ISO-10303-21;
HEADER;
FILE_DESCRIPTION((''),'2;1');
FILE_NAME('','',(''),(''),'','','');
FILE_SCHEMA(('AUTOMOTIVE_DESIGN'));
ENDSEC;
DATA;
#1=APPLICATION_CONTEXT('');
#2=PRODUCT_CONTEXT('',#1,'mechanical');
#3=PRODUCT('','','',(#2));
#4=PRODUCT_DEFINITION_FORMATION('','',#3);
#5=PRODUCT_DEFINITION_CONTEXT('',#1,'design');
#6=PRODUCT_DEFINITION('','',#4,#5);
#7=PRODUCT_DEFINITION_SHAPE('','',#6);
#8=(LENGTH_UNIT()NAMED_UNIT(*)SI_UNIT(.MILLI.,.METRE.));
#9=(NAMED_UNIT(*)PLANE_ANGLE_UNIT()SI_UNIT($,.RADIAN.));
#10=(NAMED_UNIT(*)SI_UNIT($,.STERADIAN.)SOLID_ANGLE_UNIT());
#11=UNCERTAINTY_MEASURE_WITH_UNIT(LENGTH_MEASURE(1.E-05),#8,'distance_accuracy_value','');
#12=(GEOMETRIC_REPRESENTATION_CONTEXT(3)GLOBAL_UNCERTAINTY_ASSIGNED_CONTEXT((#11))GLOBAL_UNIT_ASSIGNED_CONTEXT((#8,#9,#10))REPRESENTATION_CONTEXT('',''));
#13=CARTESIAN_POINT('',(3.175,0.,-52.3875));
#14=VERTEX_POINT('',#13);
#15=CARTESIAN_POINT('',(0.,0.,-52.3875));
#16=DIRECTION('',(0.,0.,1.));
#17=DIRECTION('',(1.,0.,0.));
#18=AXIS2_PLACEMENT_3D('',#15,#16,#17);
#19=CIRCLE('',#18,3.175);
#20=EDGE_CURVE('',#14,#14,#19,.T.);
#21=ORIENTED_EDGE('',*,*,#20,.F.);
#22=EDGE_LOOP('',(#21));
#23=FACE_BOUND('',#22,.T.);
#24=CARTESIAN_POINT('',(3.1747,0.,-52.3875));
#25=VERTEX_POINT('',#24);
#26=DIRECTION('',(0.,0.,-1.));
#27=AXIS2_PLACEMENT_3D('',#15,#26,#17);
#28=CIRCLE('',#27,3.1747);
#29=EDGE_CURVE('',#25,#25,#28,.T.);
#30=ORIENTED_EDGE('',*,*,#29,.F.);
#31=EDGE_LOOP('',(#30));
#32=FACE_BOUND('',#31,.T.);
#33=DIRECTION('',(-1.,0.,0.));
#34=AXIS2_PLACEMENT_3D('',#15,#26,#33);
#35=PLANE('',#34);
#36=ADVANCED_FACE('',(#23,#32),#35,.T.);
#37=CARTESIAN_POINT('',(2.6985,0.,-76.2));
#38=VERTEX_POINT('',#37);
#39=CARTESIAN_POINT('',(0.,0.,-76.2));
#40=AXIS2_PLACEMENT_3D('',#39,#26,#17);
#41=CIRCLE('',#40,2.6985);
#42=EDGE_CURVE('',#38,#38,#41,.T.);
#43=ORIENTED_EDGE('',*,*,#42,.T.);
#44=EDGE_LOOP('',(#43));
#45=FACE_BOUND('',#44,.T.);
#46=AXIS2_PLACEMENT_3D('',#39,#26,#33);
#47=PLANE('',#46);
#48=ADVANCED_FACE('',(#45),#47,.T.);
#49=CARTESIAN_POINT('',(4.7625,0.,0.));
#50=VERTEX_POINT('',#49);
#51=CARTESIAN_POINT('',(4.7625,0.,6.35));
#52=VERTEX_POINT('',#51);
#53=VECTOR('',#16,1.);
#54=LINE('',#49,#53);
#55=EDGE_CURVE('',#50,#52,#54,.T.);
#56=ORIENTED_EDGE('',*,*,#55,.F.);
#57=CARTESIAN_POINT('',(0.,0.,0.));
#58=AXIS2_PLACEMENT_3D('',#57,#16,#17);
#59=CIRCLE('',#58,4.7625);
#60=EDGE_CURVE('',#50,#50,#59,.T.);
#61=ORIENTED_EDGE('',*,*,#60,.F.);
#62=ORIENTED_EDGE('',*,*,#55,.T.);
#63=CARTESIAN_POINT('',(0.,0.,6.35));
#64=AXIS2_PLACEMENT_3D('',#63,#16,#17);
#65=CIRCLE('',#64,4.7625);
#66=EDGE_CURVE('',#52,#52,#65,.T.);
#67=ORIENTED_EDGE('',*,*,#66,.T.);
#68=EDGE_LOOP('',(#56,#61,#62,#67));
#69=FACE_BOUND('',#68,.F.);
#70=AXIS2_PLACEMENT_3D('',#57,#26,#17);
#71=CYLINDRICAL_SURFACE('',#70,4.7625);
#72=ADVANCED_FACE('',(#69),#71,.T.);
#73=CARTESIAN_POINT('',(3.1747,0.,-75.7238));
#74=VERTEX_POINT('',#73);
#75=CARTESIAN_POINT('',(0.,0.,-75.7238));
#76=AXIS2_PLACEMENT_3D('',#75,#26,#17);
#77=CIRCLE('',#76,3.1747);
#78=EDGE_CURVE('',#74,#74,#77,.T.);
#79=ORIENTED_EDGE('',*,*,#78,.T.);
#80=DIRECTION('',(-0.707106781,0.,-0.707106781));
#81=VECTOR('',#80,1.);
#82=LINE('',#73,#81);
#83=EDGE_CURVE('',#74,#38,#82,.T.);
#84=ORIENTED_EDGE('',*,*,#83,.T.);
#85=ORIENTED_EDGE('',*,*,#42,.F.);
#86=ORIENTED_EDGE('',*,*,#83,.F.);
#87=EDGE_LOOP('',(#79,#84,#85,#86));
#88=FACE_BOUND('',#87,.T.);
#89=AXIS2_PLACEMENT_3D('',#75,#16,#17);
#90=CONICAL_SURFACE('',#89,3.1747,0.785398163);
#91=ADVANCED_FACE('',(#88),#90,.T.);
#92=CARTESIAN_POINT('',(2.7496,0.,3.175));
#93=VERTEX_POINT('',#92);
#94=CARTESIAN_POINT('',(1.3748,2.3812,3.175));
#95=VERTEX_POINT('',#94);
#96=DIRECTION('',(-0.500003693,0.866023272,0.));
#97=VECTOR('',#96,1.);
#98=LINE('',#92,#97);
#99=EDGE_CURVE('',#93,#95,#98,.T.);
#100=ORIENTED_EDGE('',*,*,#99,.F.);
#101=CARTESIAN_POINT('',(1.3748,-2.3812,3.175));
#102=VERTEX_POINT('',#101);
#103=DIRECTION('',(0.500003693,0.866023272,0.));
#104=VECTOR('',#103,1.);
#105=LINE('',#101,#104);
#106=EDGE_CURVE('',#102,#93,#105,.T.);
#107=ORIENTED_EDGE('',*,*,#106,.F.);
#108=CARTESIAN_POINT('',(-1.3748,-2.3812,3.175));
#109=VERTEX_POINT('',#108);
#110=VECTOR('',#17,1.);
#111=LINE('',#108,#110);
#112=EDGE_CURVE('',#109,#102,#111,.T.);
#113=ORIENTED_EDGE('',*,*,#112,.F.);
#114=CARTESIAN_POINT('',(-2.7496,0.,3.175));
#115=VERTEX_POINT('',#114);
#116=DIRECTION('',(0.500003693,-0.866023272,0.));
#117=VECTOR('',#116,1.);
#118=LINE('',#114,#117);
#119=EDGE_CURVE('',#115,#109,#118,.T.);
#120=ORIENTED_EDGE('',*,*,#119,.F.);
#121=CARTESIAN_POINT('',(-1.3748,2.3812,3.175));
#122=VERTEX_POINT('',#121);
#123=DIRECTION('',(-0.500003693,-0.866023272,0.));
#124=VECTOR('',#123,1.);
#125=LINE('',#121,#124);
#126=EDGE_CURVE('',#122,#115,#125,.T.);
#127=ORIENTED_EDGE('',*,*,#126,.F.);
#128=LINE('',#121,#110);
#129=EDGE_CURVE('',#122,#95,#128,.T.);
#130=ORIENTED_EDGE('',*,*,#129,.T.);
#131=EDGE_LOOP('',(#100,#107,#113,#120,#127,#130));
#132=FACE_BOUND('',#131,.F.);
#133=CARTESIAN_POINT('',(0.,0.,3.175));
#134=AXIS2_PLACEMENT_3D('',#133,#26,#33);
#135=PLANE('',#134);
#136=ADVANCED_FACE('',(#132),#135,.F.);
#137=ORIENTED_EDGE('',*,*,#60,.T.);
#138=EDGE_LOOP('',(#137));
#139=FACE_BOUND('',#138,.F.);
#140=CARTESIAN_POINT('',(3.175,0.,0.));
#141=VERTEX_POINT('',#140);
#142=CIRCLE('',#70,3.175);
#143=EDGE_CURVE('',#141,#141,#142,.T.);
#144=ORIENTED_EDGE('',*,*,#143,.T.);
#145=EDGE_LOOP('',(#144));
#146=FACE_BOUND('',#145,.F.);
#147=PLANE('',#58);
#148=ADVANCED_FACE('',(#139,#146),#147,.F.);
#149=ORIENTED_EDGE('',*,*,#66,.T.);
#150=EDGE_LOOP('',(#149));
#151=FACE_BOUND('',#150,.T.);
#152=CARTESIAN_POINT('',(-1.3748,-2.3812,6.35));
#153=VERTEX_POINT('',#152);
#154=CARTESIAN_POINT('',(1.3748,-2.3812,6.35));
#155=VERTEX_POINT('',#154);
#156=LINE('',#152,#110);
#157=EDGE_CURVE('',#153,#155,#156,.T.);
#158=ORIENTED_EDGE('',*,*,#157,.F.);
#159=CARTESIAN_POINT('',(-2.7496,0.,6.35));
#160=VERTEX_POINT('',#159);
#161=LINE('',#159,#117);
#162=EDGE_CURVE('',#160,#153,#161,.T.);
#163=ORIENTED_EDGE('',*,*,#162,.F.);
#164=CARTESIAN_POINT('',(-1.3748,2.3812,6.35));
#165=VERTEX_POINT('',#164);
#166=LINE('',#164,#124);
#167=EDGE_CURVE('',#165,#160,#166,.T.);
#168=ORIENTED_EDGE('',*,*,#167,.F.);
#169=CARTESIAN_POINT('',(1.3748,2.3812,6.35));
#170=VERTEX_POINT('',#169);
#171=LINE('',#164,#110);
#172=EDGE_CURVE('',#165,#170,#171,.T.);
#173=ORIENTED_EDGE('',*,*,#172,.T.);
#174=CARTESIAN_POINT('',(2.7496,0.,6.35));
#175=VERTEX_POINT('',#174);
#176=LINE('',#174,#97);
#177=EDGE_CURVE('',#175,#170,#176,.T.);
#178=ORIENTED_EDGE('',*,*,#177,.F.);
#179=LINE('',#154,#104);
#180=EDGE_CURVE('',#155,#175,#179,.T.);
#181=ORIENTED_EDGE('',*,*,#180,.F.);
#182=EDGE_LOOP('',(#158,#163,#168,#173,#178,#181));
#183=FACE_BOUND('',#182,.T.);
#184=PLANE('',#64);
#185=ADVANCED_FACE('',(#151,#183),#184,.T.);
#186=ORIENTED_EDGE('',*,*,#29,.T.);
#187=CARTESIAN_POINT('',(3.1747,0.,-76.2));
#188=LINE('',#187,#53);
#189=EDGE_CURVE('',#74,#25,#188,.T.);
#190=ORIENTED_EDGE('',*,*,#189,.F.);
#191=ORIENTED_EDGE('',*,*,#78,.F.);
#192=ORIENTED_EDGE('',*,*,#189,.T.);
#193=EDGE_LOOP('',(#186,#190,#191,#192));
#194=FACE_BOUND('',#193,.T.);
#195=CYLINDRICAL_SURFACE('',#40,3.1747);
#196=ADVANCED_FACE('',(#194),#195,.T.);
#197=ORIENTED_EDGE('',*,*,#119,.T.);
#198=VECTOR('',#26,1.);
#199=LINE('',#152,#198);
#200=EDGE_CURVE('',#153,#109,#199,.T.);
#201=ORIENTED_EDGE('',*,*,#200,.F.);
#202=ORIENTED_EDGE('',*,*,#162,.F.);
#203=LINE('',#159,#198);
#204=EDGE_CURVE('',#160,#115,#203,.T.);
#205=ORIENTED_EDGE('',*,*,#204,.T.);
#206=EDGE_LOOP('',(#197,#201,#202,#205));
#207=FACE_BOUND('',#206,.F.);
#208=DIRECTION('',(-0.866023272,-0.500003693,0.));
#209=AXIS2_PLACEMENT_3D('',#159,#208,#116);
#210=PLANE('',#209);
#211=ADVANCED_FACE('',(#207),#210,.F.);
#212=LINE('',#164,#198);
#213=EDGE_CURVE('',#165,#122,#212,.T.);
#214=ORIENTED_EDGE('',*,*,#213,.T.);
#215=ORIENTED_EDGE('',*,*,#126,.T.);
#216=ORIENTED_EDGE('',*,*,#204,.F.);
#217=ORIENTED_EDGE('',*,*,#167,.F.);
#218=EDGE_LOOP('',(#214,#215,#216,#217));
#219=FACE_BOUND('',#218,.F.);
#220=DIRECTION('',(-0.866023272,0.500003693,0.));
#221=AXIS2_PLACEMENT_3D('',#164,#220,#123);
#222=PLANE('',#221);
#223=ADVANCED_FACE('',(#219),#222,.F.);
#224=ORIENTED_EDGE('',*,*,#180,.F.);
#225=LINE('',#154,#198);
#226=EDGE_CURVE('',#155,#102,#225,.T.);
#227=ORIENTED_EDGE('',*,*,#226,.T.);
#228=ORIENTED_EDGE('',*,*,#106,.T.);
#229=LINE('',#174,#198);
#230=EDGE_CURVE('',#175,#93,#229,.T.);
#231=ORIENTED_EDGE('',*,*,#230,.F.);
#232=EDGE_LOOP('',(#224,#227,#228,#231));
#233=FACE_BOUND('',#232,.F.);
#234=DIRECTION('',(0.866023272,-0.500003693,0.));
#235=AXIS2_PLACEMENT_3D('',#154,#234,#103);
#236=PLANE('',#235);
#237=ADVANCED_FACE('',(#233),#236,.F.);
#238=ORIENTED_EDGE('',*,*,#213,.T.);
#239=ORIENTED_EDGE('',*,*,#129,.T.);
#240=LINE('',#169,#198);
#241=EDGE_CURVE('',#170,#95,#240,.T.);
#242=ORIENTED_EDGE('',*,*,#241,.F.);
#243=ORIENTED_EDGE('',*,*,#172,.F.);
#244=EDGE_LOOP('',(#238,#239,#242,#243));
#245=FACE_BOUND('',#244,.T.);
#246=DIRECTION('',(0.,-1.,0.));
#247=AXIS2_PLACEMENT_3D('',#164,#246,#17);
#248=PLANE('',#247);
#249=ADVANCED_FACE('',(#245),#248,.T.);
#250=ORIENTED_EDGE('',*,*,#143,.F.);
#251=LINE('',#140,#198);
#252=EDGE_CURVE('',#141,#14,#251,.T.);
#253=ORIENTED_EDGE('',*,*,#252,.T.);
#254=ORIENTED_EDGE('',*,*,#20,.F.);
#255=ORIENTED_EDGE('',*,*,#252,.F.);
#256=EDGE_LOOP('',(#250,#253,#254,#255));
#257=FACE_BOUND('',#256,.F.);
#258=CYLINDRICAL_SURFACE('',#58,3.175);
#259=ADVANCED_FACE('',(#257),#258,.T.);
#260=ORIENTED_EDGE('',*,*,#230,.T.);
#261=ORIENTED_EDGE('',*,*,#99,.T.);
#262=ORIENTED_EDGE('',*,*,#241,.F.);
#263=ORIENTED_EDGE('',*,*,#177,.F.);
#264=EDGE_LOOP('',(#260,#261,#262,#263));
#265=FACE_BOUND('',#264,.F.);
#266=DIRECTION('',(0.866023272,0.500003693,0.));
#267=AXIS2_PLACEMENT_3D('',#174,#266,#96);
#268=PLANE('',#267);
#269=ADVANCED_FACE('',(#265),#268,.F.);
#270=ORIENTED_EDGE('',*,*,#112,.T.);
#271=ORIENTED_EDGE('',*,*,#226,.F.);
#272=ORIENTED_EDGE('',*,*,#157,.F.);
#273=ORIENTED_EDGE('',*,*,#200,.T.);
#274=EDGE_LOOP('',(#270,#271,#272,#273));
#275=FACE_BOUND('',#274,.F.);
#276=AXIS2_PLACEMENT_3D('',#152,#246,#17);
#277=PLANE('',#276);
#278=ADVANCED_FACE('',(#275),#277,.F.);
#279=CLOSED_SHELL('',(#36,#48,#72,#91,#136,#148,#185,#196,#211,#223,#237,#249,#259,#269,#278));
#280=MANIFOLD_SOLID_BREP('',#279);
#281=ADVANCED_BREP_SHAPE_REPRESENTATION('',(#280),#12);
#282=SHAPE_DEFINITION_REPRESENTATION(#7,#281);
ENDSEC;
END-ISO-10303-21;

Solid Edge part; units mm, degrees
sketch "Sketch1" plane through (0, 0, 0) normal (0, 0, 1) x (1, 0, 0)
  circle A0 centre (0, 0) radius 4.7625
  dimension "D1" = 9.525
extrude "Protrusion1" add sketch "Sketch1" along normal blind 6.35
sketch "Sketch2" plane through (0, 0, 0) normal (0, 0, -1) x (1, 0, 0)
  circle A0 centre (0, 0) radius 3.175
extrude "Protrusion2" add sketch "Sketch2" along normal blind 76.2
sketch "Sketch3" plane through (0, 0, -76.2) normal (0, 0, -1) x (1, 0, 0)
  circle A0 centre (0, 0) radius 3.1747
extrude "Cutout1" cut sketch "Sketch3" against normal blind 23.8125 flip side to cut
chamfer "Chamfer_1" distance 0.4762 angle 45 1 edges at (-3.1747, 0, -76.2)
sketch "Sketch4" plane through (0, 0, 6.35) normal (0, 0, 1) x (1, 0, 0)
  line L0 (-1.3748, 2.3812) -> (1.3748, 2.3812)
  line L1 (2.7496, 0) -> (1.3748, 2.3812)
  line L2 (1.3748, -2.3812) -> (2.7496, 0)
  line L3 (-1.3748, -2.3812) -> (1.3748, -2.3812)
  line L4 (-2.7496, 0) -> (-1.3748, -2.3812)
  line L5 (-1.3748, 2.3812) -> (-2.7496, 0)
  dimension "D1" = 4.7625
extrude "Cutout2" cut sketch "Sketch4" against normal blind 3.175
properties part number "24102136"
